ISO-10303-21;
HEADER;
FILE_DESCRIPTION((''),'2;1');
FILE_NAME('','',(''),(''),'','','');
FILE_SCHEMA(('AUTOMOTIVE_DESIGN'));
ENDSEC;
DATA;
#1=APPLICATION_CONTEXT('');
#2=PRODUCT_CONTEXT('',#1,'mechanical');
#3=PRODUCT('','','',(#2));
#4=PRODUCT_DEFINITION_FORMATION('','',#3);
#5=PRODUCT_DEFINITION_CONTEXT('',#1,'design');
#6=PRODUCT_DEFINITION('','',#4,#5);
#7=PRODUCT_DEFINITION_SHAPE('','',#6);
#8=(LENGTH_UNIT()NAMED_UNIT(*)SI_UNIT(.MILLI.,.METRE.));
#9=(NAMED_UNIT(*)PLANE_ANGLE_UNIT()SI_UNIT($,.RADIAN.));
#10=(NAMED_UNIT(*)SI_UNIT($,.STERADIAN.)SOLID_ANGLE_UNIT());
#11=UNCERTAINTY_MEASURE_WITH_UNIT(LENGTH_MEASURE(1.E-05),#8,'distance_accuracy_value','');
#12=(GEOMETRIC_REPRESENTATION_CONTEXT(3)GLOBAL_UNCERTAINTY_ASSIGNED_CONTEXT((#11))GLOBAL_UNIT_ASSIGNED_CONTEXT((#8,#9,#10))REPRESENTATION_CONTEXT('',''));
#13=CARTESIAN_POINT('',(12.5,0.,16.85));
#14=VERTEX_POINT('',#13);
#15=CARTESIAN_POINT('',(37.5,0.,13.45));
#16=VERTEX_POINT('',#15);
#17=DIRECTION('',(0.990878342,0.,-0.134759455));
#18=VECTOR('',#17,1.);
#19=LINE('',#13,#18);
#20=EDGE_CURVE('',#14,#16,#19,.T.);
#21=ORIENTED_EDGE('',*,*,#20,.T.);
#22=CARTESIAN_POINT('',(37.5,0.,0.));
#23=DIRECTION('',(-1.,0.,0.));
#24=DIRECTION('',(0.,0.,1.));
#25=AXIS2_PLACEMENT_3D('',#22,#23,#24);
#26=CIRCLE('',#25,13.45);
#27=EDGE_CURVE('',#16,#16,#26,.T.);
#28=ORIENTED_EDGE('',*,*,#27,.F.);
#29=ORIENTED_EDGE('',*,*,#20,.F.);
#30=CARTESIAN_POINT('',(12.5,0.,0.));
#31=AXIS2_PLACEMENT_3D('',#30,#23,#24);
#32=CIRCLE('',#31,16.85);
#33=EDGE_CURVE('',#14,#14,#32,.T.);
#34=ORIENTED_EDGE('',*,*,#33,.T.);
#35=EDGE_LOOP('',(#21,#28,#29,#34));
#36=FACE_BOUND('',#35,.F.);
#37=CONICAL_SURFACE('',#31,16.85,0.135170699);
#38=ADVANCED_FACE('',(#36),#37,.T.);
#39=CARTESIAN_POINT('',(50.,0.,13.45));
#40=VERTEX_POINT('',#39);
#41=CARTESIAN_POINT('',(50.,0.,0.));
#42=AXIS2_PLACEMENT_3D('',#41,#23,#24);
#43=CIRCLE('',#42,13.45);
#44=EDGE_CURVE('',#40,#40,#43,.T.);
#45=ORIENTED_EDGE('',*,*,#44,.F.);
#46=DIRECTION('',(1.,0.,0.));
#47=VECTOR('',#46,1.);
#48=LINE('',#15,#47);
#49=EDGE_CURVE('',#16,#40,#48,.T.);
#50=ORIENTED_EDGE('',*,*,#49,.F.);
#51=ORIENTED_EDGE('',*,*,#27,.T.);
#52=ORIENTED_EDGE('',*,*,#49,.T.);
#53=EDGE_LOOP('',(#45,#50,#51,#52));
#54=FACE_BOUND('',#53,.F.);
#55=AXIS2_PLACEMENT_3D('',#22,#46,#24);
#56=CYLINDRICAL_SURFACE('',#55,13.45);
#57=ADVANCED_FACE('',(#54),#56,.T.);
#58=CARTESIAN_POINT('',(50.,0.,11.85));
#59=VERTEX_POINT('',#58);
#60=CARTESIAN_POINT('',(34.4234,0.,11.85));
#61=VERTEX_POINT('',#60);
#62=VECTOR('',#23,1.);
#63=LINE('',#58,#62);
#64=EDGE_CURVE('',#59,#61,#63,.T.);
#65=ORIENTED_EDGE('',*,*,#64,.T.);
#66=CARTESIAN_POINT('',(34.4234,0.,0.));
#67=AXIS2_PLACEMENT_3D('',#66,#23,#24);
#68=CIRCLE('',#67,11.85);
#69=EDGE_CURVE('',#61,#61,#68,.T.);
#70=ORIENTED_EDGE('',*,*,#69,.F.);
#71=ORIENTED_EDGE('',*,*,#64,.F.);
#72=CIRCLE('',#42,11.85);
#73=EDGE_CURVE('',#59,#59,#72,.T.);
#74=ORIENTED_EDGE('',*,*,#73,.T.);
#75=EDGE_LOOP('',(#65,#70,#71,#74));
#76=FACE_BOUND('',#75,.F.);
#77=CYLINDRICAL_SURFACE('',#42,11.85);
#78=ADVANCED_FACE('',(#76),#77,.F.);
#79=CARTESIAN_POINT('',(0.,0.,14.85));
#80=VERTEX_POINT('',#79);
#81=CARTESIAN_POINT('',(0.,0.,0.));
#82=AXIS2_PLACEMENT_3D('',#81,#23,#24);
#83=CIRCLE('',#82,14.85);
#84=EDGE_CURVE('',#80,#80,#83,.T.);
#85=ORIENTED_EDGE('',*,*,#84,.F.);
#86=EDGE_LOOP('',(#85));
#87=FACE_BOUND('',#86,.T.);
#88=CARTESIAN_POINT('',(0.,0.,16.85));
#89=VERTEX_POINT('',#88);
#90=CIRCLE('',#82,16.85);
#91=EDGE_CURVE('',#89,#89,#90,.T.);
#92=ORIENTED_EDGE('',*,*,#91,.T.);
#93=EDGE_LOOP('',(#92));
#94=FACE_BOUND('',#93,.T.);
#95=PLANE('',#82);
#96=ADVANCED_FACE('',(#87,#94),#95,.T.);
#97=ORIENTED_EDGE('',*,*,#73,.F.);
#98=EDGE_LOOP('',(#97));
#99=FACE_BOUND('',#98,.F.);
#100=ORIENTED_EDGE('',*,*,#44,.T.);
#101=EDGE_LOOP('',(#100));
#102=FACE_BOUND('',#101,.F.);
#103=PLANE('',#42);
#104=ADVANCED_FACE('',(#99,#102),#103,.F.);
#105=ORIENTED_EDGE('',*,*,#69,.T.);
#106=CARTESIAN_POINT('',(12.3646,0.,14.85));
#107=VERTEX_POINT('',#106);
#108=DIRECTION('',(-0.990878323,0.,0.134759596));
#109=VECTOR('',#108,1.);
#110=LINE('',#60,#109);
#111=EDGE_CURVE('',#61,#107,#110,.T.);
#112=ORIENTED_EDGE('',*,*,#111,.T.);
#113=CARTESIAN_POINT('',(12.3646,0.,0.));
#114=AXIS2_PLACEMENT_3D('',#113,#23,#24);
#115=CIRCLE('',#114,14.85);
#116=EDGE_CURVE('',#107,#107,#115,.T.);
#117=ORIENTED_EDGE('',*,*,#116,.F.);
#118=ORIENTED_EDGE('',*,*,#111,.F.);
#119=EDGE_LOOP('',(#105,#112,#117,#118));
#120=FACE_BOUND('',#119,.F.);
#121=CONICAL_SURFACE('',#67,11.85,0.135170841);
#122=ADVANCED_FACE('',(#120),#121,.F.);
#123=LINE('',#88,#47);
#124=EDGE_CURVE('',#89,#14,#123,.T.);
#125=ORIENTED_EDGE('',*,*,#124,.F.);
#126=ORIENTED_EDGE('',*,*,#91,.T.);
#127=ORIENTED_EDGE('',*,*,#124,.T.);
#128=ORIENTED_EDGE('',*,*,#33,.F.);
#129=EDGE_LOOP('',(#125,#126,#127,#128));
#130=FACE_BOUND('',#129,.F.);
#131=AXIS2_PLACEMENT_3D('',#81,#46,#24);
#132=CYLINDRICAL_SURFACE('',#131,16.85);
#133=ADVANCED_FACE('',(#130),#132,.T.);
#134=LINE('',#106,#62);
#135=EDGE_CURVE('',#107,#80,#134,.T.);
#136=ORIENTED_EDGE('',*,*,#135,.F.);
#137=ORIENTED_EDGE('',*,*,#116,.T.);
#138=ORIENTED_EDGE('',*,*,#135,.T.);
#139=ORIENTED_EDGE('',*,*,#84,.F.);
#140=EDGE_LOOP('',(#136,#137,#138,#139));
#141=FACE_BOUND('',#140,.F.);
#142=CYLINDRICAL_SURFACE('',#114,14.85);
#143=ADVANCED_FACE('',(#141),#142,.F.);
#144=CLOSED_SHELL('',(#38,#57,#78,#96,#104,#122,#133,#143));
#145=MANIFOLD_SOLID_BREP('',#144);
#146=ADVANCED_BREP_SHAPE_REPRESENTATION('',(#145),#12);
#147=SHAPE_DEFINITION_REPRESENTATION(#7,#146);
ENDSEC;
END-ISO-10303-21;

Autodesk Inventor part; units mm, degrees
ref_plane "YZ Plane" through (0, 0, 0) normal (1, 0, 0) x (0, 1, 0)
ref_plane "XZ Plane" through (0, 0, 0) normal (0, 1, 0) x (-1, 0, 0)
ref_plane "XY Plane" through (0, 0, 0) normal (0, 0, 1) x (1, 0, 0)
sketch "Sketch1" plane through (0, 0, 0) normal (0, 1, 0) x (-1, 0, 0)
  line L0 (0, 16.85) -> (-12.5, 16.85)
  line L1 (-12.5, 16.85) -> (-37.5, 13.45)
  line L2 (-37.5, 13.45) -> (-50, 13.45)
  line L3 (-50, 0) -> (0, 0)
  line L4 (-50, 11.85) -> (-34.4234, 11.85)
  line L5 (-34.4234, 11.85) -> (-12.3646, 14.85)
  line L6 (-12.3646, 14.85) -> (0, 14.85)
  line L7 (-50, 0) -> (-50, 11.85) construction
  line L8 (-50, 13.45) -> (-50, 11.85)
  line L9 (0, 16.85) -> (0, 14.85)
  line L10 (0, 0) -> (0, 14.85) construction
  line L11 (-25, 15.15) -> (-24.7305, 13.1682) construction
  dimension "d0" = 33.7
  dimension "d1" = 26.9
  dimension "d2" = 2
  dimension "d3" = 1.6
  dimension "d4" = 50
  dimension "d5" = 12.5
  dimension "d6" = 12.5
  dimension "d10" = 2
revolve "Revolution1" add sketch "Sketch1" angle 360 about axis through (50, 0, 0) along (-1, 0, 0)
equation "\"d0\" = D1"
equation "\"d1\" = D2"
equation "\"d2\" = s1"
equation "\"d3\" = s2"
equation "\"d4\" = L"
equation "\"d5\" = 0.25 * L"
equation "\"d6\" = 0.25 * L"
equation "\"d10\" = s3"
equation "\"s1\" = 2"
equation "\"D1\" = 33.7"
equation "\"D2\" = 26.9"
equation "\"L\" = 50"
equation "\"s2\" = 1.6"
equation "\"s3\" = 2"
equation "\"Size_Designation\" = 1.2345"
properties part number "DIN 2616 Concentric Reducer (K) 33.7 x 2 - 26.9 x 1.6" material "Steel"
